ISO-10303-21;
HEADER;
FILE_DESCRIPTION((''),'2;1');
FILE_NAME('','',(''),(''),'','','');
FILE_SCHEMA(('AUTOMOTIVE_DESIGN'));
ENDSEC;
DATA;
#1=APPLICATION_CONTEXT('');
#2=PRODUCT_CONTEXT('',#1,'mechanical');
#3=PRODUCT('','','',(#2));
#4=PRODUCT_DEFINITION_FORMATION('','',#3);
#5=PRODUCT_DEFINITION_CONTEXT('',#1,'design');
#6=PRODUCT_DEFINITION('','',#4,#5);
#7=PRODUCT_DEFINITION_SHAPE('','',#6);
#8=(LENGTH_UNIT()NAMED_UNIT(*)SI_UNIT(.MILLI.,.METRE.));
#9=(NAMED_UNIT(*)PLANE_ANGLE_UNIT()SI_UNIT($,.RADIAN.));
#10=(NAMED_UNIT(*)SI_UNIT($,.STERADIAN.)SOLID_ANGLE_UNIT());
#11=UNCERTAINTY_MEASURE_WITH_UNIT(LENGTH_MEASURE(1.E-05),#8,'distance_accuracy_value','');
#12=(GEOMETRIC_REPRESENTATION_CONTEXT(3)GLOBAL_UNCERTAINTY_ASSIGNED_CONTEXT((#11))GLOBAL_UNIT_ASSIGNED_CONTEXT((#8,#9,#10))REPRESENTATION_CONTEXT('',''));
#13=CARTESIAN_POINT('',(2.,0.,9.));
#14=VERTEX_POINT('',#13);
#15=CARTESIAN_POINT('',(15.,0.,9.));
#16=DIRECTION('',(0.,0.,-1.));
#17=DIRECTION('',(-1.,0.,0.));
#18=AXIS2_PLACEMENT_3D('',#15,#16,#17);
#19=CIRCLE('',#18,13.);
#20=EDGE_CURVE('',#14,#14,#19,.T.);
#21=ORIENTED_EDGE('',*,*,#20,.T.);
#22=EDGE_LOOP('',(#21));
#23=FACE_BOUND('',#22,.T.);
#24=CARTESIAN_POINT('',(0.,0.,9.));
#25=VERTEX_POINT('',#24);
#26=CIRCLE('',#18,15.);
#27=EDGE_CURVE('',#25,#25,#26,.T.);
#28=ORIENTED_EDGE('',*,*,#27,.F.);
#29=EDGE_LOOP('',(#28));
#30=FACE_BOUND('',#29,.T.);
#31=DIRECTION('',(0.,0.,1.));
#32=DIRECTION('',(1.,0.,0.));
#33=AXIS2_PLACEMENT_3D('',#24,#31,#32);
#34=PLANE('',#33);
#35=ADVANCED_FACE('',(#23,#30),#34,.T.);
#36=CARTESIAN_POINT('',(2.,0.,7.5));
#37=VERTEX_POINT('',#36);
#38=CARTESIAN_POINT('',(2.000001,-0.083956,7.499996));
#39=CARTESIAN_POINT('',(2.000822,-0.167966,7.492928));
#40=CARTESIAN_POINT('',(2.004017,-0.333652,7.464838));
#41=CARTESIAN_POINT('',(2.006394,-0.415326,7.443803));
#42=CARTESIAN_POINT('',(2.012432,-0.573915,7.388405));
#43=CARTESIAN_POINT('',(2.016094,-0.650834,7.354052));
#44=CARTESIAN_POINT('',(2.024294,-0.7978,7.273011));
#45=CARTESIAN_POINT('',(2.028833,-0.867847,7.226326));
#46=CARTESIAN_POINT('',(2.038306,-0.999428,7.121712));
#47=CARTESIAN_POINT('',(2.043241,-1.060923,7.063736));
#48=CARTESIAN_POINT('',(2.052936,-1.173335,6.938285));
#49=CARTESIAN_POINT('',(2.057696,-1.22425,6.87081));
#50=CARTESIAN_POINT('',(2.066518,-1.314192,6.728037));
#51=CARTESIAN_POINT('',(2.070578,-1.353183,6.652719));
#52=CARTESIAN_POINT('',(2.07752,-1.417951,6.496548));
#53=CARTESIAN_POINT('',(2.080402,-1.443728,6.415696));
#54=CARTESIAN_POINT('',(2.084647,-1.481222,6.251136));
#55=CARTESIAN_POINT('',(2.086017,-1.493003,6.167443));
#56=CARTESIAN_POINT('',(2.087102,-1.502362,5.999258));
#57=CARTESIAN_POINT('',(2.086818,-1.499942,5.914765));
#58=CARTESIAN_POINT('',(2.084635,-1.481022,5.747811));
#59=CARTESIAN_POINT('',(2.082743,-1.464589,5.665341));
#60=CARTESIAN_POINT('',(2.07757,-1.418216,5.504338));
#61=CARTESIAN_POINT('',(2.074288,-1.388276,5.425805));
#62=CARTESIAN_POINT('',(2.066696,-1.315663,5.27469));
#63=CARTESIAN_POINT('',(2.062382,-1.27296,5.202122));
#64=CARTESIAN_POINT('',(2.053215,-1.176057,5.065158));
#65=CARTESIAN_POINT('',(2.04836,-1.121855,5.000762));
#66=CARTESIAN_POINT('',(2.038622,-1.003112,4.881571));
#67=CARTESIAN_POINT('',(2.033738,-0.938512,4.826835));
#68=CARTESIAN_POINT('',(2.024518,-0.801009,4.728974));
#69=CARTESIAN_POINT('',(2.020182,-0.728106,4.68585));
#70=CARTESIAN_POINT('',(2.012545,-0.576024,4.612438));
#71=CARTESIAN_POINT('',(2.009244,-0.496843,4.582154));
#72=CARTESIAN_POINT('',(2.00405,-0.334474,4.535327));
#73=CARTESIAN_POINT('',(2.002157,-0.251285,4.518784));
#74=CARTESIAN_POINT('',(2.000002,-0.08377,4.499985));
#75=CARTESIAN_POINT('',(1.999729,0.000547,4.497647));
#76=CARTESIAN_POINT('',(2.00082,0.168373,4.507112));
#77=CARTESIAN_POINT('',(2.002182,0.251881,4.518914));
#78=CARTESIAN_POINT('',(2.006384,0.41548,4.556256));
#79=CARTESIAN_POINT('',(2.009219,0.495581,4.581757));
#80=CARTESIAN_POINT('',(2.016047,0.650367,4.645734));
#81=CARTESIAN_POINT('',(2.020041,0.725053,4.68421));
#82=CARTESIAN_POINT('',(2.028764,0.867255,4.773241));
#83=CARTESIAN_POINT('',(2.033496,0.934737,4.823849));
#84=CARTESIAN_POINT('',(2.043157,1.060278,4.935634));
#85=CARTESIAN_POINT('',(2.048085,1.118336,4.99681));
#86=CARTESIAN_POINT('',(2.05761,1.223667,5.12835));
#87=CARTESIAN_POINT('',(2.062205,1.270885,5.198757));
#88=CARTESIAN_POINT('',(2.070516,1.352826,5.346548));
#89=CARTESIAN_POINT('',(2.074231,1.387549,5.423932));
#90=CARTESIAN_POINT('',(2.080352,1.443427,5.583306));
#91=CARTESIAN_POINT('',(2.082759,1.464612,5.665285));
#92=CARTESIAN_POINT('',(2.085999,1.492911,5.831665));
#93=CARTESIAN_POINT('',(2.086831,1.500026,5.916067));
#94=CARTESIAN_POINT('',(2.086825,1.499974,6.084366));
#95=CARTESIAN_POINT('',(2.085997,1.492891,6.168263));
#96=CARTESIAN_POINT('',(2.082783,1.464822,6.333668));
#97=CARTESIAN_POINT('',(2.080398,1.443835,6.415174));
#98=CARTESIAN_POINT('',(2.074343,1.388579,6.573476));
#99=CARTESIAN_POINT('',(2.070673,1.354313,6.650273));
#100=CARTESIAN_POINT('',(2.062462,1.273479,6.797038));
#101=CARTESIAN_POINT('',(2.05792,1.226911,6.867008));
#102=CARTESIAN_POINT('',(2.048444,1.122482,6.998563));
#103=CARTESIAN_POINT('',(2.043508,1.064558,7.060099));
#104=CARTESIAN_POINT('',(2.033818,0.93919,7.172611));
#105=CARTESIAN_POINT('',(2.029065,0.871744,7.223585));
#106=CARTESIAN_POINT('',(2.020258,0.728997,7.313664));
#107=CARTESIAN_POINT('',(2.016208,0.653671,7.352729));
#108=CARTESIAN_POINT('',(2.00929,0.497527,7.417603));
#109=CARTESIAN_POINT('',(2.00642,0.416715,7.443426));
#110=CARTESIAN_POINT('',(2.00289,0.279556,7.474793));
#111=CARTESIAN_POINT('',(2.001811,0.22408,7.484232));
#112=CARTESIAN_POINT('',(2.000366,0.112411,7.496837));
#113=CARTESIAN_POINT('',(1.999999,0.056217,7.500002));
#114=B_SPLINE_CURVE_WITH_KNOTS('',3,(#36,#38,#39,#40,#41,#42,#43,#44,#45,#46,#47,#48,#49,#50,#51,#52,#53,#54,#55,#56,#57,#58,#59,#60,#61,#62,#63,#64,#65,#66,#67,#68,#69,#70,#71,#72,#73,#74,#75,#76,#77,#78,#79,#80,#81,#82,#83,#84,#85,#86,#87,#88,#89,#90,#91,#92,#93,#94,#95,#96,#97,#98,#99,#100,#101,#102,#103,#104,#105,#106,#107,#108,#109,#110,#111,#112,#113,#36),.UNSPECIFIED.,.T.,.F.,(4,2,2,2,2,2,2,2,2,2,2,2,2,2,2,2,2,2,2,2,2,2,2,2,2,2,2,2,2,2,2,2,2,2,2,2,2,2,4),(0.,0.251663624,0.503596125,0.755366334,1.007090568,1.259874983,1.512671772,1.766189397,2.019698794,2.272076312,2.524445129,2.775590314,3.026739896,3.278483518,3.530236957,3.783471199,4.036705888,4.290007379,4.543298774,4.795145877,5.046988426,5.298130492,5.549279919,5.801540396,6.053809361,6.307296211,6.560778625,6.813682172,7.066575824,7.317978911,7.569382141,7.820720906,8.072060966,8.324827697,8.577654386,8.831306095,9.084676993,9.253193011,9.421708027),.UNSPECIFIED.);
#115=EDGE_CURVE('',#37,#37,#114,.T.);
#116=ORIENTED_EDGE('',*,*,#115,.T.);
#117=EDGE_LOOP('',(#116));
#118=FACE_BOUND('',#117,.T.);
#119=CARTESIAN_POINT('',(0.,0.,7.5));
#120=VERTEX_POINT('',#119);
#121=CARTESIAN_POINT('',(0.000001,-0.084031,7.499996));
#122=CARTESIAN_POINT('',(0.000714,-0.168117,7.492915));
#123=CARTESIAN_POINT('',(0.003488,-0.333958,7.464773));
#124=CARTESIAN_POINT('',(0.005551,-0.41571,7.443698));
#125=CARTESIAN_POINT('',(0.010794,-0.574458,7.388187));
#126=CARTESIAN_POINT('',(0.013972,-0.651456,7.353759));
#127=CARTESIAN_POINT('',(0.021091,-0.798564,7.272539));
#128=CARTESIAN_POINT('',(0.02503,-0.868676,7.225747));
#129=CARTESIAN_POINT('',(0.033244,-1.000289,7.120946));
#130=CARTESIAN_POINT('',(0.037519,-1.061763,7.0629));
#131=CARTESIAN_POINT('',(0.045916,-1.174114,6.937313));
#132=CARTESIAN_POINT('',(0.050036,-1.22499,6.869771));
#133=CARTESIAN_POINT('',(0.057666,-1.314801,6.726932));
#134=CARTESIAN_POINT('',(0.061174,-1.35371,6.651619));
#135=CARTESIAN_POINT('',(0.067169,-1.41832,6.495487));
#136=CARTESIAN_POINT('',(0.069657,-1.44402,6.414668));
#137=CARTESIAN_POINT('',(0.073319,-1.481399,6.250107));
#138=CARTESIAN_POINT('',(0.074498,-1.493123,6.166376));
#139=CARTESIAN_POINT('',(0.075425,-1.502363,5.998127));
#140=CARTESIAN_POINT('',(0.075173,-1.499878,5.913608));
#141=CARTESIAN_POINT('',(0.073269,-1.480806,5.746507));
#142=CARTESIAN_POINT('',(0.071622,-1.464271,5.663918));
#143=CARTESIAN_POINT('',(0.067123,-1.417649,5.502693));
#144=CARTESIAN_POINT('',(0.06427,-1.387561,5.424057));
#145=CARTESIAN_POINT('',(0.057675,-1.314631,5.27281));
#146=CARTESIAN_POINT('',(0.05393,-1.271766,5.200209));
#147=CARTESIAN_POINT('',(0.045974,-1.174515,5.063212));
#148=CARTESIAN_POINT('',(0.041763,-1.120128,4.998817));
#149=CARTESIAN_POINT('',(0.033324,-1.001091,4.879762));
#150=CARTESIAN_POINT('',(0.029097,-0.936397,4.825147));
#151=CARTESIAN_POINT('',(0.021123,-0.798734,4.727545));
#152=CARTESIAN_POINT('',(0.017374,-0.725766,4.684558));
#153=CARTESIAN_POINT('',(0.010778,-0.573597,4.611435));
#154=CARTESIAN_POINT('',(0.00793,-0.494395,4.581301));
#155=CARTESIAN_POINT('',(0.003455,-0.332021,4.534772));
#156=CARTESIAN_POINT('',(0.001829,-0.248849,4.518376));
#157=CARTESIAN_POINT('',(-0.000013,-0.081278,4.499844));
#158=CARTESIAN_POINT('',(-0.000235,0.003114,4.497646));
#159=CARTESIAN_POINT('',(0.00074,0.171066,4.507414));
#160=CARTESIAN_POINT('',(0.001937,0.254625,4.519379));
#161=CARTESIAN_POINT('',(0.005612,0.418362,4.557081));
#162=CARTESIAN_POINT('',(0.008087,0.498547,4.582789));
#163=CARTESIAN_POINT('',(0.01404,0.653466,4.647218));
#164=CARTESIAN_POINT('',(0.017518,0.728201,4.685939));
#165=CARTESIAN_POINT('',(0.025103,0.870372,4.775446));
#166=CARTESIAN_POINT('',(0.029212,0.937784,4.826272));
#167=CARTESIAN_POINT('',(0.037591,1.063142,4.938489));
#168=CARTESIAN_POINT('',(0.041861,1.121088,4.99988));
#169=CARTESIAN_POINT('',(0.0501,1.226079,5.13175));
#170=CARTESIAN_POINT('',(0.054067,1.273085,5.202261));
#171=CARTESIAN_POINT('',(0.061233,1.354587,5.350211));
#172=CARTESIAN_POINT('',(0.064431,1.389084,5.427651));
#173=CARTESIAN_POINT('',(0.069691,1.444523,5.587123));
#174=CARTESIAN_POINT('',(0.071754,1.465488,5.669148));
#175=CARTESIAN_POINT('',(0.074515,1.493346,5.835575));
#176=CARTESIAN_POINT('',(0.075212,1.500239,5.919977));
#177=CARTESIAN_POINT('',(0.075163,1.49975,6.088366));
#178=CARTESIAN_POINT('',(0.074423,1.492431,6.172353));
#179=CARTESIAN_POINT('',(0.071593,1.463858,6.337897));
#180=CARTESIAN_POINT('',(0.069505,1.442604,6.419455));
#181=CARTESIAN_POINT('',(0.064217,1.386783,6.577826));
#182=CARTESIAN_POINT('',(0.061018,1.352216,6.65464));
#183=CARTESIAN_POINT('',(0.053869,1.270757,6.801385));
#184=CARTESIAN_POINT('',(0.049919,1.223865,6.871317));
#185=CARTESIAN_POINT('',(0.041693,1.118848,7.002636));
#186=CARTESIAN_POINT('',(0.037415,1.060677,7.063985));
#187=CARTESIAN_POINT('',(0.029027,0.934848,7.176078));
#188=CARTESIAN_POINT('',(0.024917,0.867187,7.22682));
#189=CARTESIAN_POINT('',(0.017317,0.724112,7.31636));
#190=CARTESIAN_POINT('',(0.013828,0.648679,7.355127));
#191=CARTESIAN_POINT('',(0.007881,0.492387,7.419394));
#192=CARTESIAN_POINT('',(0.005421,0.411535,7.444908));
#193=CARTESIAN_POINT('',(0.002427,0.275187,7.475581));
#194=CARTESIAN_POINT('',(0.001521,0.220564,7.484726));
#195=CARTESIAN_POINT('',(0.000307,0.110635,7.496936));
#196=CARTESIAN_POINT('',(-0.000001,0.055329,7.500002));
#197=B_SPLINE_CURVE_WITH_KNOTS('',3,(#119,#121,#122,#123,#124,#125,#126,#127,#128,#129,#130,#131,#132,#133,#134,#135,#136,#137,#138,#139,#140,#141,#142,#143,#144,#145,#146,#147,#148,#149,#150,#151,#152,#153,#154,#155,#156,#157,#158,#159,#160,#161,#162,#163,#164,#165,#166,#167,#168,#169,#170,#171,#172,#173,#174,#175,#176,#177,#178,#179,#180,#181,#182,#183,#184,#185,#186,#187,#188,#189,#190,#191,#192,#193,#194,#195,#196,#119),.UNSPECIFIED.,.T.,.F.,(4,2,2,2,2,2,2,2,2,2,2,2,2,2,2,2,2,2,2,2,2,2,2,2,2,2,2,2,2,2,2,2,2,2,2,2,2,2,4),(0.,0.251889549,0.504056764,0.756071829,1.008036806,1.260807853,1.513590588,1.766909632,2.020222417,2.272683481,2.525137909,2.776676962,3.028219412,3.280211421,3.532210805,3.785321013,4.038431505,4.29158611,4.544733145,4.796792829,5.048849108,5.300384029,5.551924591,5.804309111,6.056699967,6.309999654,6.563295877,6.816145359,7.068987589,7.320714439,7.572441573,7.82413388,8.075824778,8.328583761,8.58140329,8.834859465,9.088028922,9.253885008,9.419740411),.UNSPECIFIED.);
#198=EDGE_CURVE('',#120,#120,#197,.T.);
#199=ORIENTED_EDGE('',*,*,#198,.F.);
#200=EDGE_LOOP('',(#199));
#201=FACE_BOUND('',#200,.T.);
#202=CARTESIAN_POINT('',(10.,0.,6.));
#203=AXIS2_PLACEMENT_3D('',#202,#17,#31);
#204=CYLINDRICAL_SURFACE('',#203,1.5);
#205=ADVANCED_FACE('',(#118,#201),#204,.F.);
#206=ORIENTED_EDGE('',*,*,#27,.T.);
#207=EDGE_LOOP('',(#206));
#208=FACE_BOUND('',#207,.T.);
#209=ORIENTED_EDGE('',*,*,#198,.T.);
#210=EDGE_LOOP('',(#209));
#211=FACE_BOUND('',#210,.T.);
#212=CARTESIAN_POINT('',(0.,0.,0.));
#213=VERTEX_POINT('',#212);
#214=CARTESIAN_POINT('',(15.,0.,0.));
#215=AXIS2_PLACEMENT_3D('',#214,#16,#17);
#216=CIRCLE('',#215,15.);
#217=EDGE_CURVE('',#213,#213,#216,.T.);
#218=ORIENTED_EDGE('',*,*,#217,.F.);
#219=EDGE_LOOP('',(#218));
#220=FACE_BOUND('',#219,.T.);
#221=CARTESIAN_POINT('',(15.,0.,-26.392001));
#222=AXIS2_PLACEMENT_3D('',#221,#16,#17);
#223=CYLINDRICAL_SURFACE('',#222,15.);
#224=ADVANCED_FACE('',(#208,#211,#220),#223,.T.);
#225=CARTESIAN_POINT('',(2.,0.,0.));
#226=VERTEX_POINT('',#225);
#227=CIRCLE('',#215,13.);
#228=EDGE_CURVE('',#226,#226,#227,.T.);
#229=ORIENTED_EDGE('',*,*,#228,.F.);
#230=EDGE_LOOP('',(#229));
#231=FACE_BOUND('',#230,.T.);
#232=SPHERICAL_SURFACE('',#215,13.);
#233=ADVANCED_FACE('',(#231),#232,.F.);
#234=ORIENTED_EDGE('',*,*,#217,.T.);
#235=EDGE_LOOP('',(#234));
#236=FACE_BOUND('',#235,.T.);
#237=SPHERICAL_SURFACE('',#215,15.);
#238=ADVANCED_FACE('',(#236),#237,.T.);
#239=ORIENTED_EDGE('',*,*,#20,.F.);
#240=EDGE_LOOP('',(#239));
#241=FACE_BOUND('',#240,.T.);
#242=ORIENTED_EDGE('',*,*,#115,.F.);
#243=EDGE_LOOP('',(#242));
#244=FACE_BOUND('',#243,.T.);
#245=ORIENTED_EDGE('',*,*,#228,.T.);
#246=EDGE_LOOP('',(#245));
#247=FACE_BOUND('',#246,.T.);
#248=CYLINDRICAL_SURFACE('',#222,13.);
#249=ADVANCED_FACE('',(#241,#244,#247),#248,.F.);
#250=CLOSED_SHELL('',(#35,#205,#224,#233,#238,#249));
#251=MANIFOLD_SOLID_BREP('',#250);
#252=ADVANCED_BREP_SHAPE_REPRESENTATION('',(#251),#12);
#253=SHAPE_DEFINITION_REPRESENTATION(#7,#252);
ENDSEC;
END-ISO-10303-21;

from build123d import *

# Parameters (mm, degrees)
SKETCH4_R          = 1.5
CUT_EXTRUDE1_DEPTH = 10


with BuildPart() as part:
    # Sketch2 one side → Revolve3 (revolve)
    with BuildSketch(Plane(origin=(0, 0, 0), x_dir=(1, 0, 0), z_dir=(0, 1, 0))):
        with BuildLine():
            ThreePointArc((15, 15), (4.393398282, 10.606601718), (0, 0))
            Line((0, 0), (0, -9))
            Line((0, -9), (2, -9))
            Line((2, -9), (2, 0))
            ThreePointArc((2, 0), (5.807611845, 9.192388155), (15, 13))
            Line((15, 13), (15, 15))
        make_face()
    revolve(axis=Axis((15, 0, -26.392000581), (0, 0, 1)))

    # Sketch4 → Cut-Extrude1 (cut)
    with BuildSketch(Plane(origin=(0, 0, 0), x_dir=(0, 0, -1), z_dir=(1, 0, 0))):
        with Locations((-6, 0)):
            Circle(SKETCH4_R)
    extrude(amount=CUT_EXTRUDE1_DEPTH, mode=Mode.SUBTRACT)


solid = part.part
